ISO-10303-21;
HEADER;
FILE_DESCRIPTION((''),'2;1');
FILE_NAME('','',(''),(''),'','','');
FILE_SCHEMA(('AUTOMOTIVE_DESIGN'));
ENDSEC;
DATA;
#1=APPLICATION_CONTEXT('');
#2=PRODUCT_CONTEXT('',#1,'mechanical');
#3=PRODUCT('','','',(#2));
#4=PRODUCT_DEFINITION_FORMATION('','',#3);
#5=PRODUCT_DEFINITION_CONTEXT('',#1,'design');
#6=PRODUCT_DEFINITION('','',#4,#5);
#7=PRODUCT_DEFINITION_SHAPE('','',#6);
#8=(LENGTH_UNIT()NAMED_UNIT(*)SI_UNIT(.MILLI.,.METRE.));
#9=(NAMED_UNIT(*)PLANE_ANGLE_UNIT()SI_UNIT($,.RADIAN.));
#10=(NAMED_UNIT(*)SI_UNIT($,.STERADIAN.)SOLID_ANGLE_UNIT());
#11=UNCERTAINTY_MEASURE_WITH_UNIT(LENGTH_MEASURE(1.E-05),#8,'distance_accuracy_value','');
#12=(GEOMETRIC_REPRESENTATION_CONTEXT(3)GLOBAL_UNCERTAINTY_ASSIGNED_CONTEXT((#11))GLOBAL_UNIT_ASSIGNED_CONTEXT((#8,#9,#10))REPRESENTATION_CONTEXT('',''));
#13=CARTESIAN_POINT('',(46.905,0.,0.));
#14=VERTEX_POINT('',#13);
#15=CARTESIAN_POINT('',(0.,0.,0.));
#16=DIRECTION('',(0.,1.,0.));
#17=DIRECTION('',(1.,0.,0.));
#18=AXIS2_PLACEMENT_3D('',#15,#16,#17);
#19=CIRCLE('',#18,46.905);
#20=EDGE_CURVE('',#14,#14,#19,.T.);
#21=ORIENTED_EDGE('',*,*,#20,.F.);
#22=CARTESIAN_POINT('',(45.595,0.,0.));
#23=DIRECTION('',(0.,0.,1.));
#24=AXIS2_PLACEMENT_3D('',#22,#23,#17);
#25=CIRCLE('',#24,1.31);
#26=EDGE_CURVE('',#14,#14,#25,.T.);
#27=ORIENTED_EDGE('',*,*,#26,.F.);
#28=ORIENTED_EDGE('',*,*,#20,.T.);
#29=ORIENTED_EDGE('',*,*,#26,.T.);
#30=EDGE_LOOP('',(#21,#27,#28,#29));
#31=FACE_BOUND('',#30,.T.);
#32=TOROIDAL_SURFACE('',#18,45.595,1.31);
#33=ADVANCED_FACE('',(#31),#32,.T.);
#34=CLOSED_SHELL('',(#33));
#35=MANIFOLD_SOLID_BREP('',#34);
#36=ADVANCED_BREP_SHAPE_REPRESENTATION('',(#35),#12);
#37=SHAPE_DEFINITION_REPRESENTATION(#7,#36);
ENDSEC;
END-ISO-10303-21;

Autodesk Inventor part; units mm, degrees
ref_plane "YZ Plane" through (0, 0, 0) normal (1, 0, 0) x (0, 1, 0)
ref_plane "XZ Plane" through (0, 0, 0) normal (0, 1, 0) x (-1, 0, 0)
ref_plane "XY Plane" through (0, 0, 0) normal (0, 0, 1) x (1, 0, 0)
sketch "Boceto1" plane through (0, 0, 0) normal (0, 0, 1) x (1, 0, 0)
  circle A0 centre (45.595, 0) radius 1.31
  line L0 (0, -22.1425) -> (0, 22.1425)
  line L1 (0, 0) -> (45.595, 0) construction
  point P0 (44.285, 0)
  dimension "d0" = 2.62
  dimension "d3" = 44.285
revolve "Revolución1" add sketch "Boceto1" angle 360 about axis through (0, -22.1425, 0) along (0, 1, 0)
properties part number "2.62" material "Caucho"
